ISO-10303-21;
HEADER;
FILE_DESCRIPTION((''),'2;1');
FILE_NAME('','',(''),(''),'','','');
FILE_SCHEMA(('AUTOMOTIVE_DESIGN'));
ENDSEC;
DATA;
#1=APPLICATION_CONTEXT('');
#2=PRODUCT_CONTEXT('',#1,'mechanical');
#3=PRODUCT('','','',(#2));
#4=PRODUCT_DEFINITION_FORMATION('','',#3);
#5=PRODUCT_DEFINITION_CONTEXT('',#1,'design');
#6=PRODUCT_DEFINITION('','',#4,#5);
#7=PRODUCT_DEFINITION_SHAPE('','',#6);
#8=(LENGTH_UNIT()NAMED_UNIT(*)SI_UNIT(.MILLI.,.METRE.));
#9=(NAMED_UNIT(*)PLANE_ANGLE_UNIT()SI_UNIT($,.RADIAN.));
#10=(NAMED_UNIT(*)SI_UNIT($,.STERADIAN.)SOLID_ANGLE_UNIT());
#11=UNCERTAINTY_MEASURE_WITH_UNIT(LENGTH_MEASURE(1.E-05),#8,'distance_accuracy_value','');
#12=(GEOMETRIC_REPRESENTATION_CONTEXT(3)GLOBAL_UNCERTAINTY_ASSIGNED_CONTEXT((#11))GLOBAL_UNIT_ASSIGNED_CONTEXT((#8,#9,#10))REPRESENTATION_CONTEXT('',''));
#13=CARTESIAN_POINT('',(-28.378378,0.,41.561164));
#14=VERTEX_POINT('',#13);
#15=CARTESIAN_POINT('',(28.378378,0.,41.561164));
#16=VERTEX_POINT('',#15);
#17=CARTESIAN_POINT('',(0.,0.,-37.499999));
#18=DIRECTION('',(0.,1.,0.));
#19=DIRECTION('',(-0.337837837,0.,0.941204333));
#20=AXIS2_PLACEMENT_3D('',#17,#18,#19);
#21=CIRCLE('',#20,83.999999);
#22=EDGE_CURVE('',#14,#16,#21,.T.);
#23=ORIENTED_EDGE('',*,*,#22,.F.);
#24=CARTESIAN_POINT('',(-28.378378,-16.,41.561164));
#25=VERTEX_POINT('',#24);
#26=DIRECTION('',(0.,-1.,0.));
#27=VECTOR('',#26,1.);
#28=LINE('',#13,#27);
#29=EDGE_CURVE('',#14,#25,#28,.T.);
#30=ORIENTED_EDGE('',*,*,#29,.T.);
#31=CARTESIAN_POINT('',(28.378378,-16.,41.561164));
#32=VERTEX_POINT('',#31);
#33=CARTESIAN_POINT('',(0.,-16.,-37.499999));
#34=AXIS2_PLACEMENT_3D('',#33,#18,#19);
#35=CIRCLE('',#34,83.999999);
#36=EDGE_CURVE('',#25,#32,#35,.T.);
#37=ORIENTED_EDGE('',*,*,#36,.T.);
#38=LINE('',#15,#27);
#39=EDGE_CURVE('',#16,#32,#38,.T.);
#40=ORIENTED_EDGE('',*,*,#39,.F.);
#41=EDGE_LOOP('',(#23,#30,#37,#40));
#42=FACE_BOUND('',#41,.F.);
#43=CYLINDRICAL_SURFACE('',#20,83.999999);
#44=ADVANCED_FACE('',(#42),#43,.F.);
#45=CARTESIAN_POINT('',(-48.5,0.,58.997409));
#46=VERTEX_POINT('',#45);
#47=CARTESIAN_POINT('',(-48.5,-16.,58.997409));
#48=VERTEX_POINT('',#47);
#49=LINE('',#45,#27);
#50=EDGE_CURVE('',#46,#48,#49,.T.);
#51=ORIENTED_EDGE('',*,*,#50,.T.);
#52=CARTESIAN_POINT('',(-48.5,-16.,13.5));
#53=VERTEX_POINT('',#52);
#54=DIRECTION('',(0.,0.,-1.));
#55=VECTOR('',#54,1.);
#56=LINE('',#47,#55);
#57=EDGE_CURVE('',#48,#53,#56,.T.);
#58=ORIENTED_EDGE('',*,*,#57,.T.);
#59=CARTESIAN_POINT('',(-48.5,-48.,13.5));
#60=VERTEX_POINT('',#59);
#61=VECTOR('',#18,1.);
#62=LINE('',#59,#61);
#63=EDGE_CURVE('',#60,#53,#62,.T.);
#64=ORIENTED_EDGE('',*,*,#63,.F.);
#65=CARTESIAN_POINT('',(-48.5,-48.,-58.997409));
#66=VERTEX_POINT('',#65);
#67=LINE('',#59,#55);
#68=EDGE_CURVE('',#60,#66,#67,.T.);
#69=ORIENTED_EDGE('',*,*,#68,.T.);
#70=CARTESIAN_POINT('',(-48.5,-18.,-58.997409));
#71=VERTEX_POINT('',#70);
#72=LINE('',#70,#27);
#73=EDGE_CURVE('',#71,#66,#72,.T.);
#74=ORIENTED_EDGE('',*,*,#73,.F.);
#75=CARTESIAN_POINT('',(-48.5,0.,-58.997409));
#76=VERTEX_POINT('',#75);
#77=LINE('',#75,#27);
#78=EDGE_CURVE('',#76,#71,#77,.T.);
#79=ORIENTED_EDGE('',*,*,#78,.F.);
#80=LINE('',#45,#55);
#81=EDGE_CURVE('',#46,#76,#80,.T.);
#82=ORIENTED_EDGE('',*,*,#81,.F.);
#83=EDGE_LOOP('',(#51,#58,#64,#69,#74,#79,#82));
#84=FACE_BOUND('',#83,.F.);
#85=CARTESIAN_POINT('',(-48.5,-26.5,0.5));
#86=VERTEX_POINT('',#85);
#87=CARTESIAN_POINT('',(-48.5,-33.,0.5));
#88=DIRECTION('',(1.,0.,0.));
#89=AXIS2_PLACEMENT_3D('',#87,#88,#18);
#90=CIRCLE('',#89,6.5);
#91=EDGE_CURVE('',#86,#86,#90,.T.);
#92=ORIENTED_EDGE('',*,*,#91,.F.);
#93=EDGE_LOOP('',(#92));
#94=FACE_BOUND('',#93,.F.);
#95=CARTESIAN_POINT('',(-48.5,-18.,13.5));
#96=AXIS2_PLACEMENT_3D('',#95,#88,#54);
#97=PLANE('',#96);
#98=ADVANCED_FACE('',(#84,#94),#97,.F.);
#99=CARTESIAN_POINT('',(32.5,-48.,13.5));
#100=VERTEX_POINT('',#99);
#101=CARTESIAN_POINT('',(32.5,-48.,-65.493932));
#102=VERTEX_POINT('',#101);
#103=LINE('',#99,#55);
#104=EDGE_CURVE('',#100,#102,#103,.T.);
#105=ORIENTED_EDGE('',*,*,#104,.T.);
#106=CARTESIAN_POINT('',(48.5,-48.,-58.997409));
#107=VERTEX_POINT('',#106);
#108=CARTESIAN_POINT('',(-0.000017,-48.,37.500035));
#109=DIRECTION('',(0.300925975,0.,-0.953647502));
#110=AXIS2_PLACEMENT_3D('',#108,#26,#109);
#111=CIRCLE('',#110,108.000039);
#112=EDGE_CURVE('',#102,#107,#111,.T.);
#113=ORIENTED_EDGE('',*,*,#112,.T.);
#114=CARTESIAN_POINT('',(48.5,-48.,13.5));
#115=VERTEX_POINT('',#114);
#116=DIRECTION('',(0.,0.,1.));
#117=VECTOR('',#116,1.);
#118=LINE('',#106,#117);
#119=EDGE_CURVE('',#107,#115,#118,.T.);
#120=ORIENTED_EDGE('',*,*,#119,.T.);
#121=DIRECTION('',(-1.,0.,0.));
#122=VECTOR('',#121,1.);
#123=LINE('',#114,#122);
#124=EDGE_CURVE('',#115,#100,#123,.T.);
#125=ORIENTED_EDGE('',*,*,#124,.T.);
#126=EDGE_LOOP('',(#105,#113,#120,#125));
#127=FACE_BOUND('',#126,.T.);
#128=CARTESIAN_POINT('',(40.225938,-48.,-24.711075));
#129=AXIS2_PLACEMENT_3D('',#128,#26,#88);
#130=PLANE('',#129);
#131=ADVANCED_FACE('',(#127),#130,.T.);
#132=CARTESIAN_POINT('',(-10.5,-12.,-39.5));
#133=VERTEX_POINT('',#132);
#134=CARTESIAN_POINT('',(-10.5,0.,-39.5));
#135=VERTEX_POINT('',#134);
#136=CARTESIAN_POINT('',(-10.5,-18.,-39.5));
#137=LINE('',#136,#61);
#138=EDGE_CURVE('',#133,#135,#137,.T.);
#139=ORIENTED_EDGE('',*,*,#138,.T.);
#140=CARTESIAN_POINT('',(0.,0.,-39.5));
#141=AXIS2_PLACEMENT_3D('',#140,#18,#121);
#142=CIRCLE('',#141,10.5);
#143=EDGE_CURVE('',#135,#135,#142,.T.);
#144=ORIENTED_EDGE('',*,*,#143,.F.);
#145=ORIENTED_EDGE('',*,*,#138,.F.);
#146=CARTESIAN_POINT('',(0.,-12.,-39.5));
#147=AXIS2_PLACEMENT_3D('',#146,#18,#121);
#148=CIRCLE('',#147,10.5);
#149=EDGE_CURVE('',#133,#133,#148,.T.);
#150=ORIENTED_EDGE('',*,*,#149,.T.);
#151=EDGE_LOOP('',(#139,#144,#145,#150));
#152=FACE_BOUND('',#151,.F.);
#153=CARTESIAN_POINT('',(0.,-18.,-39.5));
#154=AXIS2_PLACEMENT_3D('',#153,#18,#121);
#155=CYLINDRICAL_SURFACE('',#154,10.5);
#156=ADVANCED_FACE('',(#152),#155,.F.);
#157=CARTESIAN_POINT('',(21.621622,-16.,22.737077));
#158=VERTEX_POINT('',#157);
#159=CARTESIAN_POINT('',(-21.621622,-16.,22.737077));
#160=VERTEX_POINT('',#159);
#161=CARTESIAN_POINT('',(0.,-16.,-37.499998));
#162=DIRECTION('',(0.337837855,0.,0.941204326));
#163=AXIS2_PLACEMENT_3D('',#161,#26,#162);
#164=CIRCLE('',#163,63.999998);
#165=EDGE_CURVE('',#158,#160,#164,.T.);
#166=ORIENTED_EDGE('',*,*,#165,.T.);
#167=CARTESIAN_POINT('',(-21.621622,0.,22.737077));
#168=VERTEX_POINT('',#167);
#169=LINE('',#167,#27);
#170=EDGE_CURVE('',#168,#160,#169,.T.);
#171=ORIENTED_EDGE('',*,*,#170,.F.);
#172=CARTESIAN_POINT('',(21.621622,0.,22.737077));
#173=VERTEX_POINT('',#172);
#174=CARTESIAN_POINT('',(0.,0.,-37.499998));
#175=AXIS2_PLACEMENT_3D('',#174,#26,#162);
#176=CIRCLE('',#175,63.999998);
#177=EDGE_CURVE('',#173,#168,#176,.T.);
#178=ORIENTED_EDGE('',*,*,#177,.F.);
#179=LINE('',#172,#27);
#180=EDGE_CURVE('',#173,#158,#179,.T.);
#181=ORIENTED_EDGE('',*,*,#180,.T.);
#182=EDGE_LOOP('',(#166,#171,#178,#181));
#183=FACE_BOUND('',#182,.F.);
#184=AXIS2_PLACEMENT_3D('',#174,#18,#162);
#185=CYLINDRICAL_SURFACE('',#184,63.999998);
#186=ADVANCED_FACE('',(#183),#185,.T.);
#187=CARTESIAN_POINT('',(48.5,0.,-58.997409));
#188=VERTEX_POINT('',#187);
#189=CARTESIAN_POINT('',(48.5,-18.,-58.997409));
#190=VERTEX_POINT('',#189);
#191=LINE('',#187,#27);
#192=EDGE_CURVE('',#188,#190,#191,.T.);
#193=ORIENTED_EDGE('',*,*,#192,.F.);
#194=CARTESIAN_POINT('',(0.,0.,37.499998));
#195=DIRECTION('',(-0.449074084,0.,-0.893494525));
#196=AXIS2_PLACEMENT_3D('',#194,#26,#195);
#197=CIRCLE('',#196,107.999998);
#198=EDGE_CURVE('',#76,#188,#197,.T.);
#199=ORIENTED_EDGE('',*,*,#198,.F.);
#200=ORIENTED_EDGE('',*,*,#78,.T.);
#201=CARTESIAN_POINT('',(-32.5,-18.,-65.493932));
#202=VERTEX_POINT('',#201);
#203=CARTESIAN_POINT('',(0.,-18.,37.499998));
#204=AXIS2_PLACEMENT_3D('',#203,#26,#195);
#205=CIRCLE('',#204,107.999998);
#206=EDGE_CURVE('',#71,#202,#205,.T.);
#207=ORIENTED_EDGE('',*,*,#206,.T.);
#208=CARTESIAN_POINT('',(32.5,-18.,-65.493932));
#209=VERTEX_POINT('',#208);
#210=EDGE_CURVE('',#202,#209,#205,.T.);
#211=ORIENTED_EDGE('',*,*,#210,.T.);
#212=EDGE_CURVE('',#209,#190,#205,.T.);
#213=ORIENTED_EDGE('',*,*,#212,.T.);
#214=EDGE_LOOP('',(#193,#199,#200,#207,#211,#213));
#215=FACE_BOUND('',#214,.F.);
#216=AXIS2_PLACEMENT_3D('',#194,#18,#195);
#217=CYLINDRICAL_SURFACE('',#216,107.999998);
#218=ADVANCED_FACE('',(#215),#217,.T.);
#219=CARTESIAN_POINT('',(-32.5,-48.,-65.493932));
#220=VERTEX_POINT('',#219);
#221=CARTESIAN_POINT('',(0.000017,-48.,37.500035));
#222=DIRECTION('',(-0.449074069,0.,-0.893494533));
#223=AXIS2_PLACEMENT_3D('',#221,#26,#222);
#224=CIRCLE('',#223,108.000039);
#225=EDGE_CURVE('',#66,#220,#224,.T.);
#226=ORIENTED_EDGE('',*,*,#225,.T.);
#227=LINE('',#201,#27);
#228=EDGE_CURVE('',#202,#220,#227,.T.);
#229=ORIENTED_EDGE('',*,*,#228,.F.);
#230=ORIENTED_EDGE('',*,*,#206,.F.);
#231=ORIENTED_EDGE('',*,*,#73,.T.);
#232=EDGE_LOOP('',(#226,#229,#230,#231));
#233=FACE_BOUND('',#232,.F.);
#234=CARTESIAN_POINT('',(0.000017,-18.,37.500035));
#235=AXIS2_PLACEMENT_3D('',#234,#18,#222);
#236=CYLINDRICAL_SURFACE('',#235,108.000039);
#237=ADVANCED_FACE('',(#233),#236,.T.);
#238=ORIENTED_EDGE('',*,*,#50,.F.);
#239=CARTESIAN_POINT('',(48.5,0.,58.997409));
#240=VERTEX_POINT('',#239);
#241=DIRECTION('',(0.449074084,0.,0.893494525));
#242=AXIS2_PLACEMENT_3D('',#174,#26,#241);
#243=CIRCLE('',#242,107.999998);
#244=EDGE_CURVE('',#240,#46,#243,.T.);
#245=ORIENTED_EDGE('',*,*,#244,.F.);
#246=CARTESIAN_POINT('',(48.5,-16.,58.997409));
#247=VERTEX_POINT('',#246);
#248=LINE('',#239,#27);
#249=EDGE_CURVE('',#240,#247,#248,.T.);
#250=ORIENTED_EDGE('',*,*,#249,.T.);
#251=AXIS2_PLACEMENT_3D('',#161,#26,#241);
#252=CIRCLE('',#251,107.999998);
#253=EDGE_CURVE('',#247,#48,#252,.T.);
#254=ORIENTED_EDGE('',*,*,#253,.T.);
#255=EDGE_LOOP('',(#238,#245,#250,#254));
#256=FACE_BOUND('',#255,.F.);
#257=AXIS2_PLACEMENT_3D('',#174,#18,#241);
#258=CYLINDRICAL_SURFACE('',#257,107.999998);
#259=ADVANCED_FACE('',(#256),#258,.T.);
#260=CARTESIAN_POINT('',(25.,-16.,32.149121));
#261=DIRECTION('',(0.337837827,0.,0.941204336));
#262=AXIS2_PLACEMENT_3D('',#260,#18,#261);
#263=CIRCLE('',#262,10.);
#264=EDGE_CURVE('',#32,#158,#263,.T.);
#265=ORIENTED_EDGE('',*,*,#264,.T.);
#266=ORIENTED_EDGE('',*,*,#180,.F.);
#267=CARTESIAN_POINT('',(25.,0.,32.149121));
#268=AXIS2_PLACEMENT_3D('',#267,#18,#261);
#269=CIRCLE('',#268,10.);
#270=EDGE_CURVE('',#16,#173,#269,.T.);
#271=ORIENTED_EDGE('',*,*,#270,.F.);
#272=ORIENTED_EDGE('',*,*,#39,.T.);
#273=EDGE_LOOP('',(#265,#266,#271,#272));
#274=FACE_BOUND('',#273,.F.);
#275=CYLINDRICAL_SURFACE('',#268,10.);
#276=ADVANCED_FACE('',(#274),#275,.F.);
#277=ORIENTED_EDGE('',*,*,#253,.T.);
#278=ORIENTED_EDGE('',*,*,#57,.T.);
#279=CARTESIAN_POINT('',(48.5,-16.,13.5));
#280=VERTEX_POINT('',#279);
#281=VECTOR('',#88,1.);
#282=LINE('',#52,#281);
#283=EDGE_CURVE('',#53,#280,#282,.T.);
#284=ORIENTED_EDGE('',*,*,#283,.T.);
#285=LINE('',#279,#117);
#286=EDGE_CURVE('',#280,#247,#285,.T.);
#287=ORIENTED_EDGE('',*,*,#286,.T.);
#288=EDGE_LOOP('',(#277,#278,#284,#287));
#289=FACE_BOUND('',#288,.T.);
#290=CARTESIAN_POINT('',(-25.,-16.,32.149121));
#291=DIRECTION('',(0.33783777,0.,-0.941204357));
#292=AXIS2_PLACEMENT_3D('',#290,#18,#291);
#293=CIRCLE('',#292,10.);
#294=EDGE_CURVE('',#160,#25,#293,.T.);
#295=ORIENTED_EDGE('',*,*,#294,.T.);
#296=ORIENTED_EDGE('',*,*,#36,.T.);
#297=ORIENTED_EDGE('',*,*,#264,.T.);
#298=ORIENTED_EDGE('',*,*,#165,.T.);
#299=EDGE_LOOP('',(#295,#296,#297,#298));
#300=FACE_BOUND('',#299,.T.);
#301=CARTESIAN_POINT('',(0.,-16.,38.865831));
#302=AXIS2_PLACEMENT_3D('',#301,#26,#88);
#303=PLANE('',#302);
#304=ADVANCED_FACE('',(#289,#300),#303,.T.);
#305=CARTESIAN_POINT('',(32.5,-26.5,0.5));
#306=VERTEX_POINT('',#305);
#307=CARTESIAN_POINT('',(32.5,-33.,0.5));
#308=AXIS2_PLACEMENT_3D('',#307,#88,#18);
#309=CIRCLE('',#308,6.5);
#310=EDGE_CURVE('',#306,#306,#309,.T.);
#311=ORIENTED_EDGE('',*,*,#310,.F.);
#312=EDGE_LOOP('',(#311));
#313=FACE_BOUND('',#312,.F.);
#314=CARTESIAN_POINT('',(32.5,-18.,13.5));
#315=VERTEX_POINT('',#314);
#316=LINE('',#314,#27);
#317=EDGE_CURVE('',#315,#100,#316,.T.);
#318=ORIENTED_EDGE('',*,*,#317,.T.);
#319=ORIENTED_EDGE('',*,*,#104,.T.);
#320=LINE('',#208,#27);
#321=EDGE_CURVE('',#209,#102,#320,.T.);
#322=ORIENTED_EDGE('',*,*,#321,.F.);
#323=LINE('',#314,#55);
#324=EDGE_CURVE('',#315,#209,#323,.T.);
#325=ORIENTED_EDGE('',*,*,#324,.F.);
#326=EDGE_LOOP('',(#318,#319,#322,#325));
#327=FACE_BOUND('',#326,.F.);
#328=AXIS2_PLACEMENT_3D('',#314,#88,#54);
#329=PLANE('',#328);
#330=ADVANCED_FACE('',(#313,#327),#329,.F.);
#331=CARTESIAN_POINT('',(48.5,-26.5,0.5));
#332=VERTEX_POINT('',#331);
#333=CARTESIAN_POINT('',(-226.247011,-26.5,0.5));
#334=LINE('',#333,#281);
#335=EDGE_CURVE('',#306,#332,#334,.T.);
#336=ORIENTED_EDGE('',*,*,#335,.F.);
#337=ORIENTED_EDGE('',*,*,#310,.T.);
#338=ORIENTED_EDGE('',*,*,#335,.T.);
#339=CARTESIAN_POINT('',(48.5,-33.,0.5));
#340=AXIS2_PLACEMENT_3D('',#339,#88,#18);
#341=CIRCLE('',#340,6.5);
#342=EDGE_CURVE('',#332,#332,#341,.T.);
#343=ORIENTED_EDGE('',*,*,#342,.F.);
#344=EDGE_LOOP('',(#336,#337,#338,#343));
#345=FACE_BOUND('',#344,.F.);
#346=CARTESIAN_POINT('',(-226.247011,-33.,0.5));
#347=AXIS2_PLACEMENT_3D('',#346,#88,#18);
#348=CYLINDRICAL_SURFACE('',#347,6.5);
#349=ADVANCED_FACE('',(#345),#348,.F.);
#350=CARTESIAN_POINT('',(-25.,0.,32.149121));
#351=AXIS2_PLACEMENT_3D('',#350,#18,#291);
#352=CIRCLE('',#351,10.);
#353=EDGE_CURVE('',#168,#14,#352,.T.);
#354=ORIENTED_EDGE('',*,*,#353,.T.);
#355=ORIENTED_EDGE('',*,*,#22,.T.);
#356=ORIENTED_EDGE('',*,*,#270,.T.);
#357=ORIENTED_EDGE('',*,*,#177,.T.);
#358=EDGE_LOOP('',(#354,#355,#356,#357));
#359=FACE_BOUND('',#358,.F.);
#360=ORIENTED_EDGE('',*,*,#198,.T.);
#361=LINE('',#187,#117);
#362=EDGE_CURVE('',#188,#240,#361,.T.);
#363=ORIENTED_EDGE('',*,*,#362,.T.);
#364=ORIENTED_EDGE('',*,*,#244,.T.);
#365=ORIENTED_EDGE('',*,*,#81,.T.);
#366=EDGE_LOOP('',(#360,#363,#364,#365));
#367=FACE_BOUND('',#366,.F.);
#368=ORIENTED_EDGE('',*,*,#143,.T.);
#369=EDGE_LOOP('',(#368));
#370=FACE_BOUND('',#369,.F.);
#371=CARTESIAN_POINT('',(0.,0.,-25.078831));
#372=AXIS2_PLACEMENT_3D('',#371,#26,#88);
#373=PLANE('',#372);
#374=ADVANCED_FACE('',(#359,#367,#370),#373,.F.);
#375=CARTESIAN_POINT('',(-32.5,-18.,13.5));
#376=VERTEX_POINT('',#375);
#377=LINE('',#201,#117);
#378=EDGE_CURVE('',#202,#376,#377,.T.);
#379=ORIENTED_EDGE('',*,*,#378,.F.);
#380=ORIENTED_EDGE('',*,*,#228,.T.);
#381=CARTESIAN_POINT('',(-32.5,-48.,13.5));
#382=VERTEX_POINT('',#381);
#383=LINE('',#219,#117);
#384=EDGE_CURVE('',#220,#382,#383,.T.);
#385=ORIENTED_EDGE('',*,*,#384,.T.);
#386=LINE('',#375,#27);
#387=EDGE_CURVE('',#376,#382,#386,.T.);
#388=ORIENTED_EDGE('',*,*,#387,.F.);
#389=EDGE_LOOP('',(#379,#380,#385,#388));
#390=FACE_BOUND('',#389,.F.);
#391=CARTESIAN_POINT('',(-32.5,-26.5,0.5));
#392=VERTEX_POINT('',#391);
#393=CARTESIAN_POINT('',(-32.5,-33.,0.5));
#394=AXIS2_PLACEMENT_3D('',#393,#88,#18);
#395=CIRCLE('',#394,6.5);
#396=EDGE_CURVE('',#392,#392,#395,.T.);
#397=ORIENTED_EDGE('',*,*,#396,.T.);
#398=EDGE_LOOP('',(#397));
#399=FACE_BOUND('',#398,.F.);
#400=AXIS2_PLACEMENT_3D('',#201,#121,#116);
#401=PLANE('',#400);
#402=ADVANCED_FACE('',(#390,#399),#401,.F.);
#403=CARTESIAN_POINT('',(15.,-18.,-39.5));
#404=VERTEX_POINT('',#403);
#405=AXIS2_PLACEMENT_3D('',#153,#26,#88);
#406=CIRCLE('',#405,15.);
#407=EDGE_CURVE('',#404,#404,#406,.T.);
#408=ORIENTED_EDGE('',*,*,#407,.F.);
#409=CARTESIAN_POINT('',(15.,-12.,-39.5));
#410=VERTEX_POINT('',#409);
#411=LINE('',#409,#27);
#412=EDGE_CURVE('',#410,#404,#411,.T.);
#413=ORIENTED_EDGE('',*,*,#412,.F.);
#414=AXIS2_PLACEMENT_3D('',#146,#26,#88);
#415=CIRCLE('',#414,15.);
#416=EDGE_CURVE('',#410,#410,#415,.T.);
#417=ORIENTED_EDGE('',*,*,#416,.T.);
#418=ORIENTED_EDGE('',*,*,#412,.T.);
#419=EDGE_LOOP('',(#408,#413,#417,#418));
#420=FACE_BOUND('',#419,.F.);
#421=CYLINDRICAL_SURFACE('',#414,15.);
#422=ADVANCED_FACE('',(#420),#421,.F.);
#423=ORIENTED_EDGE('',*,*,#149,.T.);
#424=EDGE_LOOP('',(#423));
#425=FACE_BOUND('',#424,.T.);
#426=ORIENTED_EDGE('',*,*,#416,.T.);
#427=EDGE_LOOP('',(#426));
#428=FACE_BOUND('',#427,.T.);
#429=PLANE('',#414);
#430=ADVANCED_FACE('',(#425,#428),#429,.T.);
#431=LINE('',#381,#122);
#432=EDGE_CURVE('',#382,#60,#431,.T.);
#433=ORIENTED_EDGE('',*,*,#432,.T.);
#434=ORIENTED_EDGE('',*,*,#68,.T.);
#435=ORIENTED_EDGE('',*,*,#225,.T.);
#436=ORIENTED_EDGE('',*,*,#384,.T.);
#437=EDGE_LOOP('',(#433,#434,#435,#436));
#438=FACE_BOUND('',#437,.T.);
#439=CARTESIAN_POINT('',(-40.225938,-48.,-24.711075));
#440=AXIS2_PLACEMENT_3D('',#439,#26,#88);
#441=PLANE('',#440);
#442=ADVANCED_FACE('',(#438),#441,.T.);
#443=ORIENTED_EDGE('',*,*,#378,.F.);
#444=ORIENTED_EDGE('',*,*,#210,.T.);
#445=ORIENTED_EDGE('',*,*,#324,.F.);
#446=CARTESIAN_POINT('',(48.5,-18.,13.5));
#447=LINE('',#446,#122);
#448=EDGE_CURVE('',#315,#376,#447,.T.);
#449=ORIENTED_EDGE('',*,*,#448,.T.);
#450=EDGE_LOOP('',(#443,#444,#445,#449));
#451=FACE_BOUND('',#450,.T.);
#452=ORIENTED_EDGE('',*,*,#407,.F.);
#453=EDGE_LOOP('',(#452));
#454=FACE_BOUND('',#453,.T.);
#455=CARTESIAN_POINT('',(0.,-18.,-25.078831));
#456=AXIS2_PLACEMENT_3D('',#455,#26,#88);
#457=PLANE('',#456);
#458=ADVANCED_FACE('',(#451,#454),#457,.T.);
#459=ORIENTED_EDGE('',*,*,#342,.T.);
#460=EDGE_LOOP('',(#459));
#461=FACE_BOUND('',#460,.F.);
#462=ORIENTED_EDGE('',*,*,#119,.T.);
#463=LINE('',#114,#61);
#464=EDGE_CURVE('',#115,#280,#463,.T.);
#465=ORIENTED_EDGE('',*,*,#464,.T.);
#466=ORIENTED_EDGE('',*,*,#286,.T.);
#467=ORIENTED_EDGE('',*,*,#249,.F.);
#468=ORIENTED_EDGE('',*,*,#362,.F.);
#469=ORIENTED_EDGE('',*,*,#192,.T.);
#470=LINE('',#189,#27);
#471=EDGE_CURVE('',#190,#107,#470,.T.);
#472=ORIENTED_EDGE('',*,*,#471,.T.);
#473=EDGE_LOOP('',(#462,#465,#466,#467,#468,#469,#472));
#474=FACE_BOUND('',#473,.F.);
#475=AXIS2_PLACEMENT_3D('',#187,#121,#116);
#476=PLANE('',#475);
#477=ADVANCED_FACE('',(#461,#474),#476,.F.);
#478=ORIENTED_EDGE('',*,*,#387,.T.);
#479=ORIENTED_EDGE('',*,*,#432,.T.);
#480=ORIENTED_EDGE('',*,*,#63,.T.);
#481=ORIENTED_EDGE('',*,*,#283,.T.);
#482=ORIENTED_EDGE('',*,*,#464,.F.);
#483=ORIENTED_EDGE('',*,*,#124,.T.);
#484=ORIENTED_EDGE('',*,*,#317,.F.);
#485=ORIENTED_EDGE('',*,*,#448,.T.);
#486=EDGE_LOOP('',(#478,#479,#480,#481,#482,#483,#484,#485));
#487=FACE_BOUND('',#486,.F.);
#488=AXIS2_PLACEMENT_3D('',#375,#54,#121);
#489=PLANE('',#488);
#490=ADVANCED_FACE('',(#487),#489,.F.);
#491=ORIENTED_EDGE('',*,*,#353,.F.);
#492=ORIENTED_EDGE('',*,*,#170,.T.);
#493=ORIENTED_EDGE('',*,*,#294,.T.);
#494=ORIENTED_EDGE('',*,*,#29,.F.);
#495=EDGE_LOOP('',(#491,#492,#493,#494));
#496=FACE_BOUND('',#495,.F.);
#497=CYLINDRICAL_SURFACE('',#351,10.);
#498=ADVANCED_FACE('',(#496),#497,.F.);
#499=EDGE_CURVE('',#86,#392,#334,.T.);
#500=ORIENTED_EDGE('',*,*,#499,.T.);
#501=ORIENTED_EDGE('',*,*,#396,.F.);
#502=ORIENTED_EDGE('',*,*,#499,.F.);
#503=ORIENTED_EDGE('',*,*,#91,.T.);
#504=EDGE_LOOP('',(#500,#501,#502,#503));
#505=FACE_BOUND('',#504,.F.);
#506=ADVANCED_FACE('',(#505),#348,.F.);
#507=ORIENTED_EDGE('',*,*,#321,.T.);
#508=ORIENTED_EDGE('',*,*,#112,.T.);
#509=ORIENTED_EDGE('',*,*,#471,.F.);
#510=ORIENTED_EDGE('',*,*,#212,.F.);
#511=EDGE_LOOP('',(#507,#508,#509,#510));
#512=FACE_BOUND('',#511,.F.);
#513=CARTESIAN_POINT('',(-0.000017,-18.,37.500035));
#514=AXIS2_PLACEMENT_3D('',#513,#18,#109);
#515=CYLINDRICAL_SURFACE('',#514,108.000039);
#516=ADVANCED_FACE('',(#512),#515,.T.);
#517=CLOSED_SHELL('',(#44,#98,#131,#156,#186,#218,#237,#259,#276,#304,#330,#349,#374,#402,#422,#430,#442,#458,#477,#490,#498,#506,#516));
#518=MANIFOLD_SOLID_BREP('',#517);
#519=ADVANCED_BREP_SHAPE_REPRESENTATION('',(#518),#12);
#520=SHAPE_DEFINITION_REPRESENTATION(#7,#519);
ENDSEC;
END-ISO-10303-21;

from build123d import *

# Parameters (mm, degrees)
F1_DEPTH       = 16
F2_DEPTH       = 18
F4_D           = 21
F4_CBORE_D     = 30
F4_CBORE_DEPTH = 6
F6_DEPTH       = 30
F8_D           = 13


with BuildPart() as f1:
    # F0 (on Front) → F1 (new body)
    with BuildSketch(Plane.XZ):
        with BuildLine():
            Line((-48.5, 13.5), (48.5, 13.5))
            Line((48.5, 13.5), (48.5, 58.997409))
            ThreePointArc((48.5, 58.997409), (0, 70.5), (-48.5, 58.997409))
            Line((-48.5, 58.997409), (-48.5, 13.5))
        make_face()
        with BuildLine():
            ThreePointArc((-28.378378, 41.561164), (0, 46.5), (28.378378, 41.561164))
            ThreePointArc((28.378378, 41.561164), (34.412043, 28.770742), (21.621622, 22.737077))
            ThreePointArc((21.621622, 22.737077), (0, 26.5), (-21.621622, 22.737077))
            ThreePointArc((-21.621622, 22.737077), (-34.412043, 28.770742), (-28.378378, 41.561164))
        make_face(mode=Mode.SUBTRACT)
    extrude(amount=F1_DEPTH)

    # F0 (on Front) → F2 (join)
    with BuildSketch(Plane.XZ):
        with BuildLine():
            ThreePointArc((-48.5, -58.997409), (0, -70.5), (48.5, -58.997409))
            Line((48.5, -58.997409), (48.5, 13.5))
            Line((48.5, 13.5), (-48.5, 13.5))
            Line((-48.5, 13.5), (-48.5, -58.997409))
        make_face()
    extrude(amount=F2_DEPTH)

    # F4 (through all)
    with Locations(Plane.XZ.offset(18)):
        with Locations((0, -39.5)):
            CounterBoreHole(F4_D / 2, F4_CBORE_D / 2, F4_CBORE_DEPTH)

    # F5 (on face) → F6 (join)
    with BuildSketch(Plane.XZ.offset(18)):
        with BuildLine():
            Line((-48.5, 13.5), (-48.5, -58.997409))
            ThreePointArc((-48.5, -58.997409), (-40.630053, -62.565972), (-32.5, -65.493932))
            Line((-32.5, -65.493932), (-32.5, 13.5))
            Line((-32.5, 13.5), (-48.5, 13.5))
        make_face()
        with BuildLine():
            ThreePointArc((32.5, -65.493932), (40.630053, -62.565972), (48.5, -58.997409))
            Line((48.5, -58.997409), (48.5, 13.5))
            Line((48.5, 13.5), (32.5, 13.5))
            Line((32.5, 13.5), (32.5, -65.493932))
        make_face()
    extrude(amount=F6_DEPTH)

    # F8 (through all)
    with Locations(Plane(origin=(-48.5, 0, 0), x_dir=(0, -1, 0), z_dir=(-1, 0, 0))):
        with Locations((33, 0.5)):
            Hole(F8_D / 2)


solid = f1.part
